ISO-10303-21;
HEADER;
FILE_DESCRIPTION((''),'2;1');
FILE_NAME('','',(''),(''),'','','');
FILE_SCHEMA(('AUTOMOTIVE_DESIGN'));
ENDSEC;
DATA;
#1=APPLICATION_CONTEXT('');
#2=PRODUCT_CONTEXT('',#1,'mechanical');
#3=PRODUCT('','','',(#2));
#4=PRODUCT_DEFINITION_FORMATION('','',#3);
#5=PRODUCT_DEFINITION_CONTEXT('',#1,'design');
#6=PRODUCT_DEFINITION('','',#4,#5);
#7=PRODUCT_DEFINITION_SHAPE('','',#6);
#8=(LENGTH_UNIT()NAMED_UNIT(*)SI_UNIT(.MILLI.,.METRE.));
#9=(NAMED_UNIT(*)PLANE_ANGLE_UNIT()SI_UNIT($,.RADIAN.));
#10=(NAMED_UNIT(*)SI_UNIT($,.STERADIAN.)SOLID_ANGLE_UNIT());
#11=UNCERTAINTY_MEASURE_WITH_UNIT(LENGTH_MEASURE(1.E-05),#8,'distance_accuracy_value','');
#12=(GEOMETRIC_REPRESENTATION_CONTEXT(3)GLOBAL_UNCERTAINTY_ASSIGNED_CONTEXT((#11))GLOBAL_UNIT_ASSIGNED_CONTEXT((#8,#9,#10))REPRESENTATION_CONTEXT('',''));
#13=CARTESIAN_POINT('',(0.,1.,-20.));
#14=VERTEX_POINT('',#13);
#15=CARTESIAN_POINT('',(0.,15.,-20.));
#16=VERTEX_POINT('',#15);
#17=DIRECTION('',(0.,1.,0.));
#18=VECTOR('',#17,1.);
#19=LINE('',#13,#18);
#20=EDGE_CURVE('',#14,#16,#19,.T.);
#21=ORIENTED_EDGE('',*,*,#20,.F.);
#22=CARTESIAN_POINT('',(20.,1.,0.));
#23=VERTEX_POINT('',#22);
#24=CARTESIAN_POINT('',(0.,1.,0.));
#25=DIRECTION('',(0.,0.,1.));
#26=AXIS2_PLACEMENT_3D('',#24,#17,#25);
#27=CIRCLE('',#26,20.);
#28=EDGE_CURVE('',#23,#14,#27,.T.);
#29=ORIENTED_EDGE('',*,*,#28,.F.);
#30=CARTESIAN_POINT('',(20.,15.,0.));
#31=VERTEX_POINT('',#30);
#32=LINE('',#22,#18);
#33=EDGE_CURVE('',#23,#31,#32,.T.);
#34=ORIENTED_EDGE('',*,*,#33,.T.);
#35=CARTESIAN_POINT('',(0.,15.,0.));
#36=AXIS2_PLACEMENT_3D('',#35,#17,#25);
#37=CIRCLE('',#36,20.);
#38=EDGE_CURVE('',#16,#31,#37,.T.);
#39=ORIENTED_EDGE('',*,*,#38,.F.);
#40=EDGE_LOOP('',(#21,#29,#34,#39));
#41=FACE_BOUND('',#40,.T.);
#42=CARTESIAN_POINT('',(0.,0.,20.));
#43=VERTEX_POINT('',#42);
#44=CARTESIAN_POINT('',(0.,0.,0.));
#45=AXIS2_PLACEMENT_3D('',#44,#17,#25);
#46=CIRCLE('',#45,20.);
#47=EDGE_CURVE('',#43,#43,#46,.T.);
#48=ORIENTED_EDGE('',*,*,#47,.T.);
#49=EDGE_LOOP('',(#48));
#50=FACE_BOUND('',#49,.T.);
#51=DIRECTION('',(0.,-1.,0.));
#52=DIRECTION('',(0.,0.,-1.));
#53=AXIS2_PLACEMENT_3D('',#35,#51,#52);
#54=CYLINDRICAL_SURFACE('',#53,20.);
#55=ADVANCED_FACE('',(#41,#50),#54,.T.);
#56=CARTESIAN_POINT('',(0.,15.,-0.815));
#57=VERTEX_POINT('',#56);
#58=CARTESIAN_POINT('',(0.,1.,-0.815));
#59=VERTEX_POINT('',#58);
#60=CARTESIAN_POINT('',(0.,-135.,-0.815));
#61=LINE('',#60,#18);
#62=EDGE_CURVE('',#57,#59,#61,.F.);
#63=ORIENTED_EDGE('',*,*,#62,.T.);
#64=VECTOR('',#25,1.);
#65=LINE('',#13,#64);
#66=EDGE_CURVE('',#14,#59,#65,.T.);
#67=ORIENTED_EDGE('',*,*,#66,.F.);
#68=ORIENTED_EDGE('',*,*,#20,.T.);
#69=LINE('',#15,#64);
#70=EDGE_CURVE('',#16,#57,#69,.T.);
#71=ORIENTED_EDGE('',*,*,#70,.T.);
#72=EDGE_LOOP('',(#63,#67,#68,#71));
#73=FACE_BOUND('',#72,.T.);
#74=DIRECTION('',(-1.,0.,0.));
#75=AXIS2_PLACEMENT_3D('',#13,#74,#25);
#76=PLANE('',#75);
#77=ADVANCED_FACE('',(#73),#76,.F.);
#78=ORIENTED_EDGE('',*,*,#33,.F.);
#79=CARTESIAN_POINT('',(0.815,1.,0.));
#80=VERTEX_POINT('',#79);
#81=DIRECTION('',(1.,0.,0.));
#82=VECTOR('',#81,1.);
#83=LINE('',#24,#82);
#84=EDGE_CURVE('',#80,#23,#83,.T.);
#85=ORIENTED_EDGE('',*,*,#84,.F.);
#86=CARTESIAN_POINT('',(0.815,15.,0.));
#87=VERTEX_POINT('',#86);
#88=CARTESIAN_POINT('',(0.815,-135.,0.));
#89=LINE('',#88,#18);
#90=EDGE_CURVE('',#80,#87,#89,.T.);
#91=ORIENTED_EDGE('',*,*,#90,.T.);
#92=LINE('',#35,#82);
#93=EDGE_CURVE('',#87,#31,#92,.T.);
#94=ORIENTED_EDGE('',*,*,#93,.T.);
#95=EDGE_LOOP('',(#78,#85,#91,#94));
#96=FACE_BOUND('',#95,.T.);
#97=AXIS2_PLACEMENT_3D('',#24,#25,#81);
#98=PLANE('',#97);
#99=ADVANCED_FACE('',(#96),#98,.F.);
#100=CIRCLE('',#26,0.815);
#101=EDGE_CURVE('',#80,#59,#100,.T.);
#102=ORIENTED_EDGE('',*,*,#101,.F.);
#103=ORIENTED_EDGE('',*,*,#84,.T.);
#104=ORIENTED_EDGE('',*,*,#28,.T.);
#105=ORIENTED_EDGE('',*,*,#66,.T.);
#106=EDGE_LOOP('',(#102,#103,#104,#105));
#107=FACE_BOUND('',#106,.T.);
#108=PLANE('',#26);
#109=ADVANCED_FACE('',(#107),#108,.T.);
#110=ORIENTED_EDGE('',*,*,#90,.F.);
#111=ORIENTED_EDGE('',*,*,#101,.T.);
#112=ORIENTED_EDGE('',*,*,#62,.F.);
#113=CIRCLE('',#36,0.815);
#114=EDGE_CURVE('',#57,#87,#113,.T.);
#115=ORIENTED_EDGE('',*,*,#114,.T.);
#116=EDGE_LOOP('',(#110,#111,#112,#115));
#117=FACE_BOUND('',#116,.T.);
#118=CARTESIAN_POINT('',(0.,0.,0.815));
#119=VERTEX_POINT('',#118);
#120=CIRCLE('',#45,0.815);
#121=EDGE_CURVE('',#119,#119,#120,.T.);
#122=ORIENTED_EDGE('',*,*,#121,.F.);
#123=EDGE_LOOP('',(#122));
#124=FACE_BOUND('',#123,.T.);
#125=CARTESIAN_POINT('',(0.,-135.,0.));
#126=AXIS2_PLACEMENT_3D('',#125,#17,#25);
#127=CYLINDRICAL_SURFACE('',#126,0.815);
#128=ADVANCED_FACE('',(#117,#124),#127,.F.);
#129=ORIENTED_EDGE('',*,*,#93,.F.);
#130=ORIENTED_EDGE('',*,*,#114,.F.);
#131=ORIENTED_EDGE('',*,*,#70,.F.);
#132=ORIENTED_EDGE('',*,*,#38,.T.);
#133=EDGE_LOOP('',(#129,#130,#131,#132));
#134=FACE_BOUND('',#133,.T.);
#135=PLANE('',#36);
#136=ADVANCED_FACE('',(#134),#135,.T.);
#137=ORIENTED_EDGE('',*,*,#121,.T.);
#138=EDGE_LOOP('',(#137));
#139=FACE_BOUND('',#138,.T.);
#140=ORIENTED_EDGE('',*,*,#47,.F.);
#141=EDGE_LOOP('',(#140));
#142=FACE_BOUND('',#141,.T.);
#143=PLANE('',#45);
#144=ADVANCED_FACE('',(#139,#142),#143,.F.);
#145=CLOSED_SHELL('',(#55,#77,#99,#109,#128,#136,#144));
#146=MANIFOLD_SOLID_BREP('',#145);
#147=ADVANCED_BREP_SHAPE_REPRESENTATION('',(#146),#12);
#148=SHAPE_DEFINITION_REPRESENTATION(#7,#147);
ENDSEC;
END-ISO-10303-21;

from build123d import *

# Parameters (mm, degrees)
SKETCH5_R           = 20
BOSS_EXTRUDE2_DEPTH = 15
CUT_EXTRUDE1_START  = -14
CUT_EXTRUDE1_DEPTH  = 14
SKETCH7_R           = 0.815
CUT_EXTRUDE2_DEPTH  = 150


with BuildPart() as part:
    # Sketch5 → Boss-Extrude2 (new body)
    with BuildSketch(Plane(origin=(0, 0, 0), x_dir=(1, 0, 0), z_dir=(0, 1, 0))):
        with Locations(Location((0, 0, 0), (0, 0, 270))):
            Circle(SKETCH5_R)
    extrude(amount=BOSS_EXTRUDE2_DEPTH)

    # Sketch6 → Cut-Extrude1 (cut)
    with BuildSketch(Plane(origin=(0, 15, 0), x_dir=(1, 0, 0), z_dir=(0, 1, 0)).offset(CUT_EXTRUDE1_START)):
        with BuildLine():
            Line((0, 20), (0, 0))
            Line((0, 0), (20, 0))
            ThreePointArc((20, 0), (14.142135624, 14.142135624), (0, 20))
        make_face()
    extrude(amount=CUT_EXTRUDE1_DEPTH, mode=Mode.SUBTRACT)

    # Sketch7 → Cut-Extrude2 (cut)
    with BuildSketch(Plane(origin=(0, 15, 0), x_dir=(1, 0, 0), z_dir=(0, 1, 0))):
        with Locations(Location((0, 0, 0), (0, 0, 270))):
            Circle(SKETCH7_R)
    extrude(amount=-CUT_EXTRUDE2_DEPTH, mode=Mode.SUBTRACT)


solid = part.part
